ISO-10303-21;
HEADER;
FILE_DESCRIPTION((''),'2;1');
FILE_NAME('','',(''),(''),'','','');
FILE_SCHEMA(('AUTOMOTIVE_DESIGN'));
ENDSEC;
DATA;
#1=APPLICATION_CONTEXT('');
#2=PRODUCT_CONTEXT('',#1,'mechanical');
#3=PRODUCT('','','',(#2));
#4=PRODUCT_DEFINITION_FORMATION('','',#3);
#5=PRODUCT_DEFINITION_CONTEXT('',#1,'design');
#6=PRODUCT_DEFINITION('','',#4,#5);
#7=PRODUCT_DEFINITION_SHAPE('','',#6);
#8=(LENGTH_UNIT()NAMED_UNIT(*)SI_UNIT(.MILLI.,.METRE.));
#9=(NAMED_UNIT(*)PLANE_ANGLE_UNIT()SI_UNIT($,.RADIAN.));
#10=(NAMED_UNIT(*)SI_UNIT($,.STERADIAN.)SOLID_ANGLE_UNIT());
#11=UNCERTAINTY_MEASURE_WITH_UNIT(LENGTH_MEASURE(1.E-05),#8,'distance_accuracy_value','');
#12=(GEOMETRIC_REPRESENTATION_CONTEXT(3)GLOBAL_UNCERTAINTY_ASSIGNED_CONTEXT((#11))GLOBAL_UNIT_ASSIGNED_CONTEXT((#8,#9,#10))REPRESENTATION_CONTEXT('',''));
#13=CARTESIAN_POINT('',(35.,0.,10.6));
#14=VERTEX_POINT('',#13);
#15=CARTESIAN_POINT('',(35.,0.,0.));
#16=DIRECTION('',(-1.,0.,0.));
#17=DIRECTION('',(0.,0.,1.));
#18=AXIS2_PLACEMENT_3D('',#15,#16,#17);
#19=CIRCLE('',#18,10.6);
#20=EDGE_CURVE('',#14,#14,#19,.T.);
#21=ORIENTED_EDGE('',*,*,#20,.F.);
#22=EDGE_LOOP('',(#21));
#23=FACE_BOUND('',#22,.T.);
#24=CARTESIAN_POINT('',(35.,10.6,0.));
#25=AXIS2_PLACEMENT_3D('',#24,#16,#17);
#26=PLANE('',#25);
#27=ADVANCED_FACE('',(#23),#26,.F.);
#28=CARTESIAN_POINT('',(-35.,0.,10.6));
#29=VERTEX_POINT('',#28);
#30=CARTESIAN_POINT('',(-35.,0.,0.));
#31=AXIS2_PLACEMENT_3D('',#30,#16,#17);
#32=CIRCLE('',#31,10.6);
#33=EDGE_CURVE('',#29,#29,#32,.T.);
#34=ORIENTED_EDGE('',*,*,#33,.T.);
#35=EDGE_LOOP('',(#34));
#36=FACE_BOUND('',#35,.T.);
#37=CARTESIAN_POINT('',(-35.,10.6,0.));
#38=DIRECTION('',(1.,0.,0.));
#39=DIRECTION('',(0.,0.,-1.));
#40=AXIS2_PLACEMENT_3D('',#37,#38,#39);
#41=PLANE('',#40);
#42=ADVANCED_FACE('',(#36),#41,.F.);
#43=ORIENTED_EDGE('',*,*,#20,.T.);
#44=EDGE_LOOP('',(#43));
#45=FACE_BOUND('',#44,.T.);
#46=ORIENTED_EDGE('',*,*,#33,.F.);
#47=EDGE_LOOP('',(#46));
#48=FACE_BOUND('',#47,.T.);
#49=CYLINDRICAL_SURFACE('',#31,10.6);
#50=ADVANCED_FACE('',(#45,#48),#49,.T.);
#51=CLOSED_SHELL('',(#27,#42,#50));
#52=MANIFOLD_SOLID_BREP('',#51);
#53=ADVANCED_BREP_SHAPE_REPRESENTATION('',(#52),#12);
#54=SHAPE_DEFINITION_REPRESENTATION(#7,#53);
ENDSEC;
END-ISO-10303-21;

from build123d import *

# Parameters (mm, degrees)
SKETCH2_W = 70
SKETCH2_H = 10.6


with BuildPart() as part:
    # Sketch2 → Revolve1 (revolve)
    with BuildSketch(Plane.XY, mode=Mode.PRIVATE) as revolve1_sk:
        with Locations((0, 5.3)):
            Rectangle(SKETCH2_W, SKETCH2_H)
    revolve(revolve1_sk.sketch.rotate(Axis((-35, 0, 0), (1, 0, 0)), 90), axis=Axis((-35, 0, 0), (1, 0, 0)))


solid = part.part
